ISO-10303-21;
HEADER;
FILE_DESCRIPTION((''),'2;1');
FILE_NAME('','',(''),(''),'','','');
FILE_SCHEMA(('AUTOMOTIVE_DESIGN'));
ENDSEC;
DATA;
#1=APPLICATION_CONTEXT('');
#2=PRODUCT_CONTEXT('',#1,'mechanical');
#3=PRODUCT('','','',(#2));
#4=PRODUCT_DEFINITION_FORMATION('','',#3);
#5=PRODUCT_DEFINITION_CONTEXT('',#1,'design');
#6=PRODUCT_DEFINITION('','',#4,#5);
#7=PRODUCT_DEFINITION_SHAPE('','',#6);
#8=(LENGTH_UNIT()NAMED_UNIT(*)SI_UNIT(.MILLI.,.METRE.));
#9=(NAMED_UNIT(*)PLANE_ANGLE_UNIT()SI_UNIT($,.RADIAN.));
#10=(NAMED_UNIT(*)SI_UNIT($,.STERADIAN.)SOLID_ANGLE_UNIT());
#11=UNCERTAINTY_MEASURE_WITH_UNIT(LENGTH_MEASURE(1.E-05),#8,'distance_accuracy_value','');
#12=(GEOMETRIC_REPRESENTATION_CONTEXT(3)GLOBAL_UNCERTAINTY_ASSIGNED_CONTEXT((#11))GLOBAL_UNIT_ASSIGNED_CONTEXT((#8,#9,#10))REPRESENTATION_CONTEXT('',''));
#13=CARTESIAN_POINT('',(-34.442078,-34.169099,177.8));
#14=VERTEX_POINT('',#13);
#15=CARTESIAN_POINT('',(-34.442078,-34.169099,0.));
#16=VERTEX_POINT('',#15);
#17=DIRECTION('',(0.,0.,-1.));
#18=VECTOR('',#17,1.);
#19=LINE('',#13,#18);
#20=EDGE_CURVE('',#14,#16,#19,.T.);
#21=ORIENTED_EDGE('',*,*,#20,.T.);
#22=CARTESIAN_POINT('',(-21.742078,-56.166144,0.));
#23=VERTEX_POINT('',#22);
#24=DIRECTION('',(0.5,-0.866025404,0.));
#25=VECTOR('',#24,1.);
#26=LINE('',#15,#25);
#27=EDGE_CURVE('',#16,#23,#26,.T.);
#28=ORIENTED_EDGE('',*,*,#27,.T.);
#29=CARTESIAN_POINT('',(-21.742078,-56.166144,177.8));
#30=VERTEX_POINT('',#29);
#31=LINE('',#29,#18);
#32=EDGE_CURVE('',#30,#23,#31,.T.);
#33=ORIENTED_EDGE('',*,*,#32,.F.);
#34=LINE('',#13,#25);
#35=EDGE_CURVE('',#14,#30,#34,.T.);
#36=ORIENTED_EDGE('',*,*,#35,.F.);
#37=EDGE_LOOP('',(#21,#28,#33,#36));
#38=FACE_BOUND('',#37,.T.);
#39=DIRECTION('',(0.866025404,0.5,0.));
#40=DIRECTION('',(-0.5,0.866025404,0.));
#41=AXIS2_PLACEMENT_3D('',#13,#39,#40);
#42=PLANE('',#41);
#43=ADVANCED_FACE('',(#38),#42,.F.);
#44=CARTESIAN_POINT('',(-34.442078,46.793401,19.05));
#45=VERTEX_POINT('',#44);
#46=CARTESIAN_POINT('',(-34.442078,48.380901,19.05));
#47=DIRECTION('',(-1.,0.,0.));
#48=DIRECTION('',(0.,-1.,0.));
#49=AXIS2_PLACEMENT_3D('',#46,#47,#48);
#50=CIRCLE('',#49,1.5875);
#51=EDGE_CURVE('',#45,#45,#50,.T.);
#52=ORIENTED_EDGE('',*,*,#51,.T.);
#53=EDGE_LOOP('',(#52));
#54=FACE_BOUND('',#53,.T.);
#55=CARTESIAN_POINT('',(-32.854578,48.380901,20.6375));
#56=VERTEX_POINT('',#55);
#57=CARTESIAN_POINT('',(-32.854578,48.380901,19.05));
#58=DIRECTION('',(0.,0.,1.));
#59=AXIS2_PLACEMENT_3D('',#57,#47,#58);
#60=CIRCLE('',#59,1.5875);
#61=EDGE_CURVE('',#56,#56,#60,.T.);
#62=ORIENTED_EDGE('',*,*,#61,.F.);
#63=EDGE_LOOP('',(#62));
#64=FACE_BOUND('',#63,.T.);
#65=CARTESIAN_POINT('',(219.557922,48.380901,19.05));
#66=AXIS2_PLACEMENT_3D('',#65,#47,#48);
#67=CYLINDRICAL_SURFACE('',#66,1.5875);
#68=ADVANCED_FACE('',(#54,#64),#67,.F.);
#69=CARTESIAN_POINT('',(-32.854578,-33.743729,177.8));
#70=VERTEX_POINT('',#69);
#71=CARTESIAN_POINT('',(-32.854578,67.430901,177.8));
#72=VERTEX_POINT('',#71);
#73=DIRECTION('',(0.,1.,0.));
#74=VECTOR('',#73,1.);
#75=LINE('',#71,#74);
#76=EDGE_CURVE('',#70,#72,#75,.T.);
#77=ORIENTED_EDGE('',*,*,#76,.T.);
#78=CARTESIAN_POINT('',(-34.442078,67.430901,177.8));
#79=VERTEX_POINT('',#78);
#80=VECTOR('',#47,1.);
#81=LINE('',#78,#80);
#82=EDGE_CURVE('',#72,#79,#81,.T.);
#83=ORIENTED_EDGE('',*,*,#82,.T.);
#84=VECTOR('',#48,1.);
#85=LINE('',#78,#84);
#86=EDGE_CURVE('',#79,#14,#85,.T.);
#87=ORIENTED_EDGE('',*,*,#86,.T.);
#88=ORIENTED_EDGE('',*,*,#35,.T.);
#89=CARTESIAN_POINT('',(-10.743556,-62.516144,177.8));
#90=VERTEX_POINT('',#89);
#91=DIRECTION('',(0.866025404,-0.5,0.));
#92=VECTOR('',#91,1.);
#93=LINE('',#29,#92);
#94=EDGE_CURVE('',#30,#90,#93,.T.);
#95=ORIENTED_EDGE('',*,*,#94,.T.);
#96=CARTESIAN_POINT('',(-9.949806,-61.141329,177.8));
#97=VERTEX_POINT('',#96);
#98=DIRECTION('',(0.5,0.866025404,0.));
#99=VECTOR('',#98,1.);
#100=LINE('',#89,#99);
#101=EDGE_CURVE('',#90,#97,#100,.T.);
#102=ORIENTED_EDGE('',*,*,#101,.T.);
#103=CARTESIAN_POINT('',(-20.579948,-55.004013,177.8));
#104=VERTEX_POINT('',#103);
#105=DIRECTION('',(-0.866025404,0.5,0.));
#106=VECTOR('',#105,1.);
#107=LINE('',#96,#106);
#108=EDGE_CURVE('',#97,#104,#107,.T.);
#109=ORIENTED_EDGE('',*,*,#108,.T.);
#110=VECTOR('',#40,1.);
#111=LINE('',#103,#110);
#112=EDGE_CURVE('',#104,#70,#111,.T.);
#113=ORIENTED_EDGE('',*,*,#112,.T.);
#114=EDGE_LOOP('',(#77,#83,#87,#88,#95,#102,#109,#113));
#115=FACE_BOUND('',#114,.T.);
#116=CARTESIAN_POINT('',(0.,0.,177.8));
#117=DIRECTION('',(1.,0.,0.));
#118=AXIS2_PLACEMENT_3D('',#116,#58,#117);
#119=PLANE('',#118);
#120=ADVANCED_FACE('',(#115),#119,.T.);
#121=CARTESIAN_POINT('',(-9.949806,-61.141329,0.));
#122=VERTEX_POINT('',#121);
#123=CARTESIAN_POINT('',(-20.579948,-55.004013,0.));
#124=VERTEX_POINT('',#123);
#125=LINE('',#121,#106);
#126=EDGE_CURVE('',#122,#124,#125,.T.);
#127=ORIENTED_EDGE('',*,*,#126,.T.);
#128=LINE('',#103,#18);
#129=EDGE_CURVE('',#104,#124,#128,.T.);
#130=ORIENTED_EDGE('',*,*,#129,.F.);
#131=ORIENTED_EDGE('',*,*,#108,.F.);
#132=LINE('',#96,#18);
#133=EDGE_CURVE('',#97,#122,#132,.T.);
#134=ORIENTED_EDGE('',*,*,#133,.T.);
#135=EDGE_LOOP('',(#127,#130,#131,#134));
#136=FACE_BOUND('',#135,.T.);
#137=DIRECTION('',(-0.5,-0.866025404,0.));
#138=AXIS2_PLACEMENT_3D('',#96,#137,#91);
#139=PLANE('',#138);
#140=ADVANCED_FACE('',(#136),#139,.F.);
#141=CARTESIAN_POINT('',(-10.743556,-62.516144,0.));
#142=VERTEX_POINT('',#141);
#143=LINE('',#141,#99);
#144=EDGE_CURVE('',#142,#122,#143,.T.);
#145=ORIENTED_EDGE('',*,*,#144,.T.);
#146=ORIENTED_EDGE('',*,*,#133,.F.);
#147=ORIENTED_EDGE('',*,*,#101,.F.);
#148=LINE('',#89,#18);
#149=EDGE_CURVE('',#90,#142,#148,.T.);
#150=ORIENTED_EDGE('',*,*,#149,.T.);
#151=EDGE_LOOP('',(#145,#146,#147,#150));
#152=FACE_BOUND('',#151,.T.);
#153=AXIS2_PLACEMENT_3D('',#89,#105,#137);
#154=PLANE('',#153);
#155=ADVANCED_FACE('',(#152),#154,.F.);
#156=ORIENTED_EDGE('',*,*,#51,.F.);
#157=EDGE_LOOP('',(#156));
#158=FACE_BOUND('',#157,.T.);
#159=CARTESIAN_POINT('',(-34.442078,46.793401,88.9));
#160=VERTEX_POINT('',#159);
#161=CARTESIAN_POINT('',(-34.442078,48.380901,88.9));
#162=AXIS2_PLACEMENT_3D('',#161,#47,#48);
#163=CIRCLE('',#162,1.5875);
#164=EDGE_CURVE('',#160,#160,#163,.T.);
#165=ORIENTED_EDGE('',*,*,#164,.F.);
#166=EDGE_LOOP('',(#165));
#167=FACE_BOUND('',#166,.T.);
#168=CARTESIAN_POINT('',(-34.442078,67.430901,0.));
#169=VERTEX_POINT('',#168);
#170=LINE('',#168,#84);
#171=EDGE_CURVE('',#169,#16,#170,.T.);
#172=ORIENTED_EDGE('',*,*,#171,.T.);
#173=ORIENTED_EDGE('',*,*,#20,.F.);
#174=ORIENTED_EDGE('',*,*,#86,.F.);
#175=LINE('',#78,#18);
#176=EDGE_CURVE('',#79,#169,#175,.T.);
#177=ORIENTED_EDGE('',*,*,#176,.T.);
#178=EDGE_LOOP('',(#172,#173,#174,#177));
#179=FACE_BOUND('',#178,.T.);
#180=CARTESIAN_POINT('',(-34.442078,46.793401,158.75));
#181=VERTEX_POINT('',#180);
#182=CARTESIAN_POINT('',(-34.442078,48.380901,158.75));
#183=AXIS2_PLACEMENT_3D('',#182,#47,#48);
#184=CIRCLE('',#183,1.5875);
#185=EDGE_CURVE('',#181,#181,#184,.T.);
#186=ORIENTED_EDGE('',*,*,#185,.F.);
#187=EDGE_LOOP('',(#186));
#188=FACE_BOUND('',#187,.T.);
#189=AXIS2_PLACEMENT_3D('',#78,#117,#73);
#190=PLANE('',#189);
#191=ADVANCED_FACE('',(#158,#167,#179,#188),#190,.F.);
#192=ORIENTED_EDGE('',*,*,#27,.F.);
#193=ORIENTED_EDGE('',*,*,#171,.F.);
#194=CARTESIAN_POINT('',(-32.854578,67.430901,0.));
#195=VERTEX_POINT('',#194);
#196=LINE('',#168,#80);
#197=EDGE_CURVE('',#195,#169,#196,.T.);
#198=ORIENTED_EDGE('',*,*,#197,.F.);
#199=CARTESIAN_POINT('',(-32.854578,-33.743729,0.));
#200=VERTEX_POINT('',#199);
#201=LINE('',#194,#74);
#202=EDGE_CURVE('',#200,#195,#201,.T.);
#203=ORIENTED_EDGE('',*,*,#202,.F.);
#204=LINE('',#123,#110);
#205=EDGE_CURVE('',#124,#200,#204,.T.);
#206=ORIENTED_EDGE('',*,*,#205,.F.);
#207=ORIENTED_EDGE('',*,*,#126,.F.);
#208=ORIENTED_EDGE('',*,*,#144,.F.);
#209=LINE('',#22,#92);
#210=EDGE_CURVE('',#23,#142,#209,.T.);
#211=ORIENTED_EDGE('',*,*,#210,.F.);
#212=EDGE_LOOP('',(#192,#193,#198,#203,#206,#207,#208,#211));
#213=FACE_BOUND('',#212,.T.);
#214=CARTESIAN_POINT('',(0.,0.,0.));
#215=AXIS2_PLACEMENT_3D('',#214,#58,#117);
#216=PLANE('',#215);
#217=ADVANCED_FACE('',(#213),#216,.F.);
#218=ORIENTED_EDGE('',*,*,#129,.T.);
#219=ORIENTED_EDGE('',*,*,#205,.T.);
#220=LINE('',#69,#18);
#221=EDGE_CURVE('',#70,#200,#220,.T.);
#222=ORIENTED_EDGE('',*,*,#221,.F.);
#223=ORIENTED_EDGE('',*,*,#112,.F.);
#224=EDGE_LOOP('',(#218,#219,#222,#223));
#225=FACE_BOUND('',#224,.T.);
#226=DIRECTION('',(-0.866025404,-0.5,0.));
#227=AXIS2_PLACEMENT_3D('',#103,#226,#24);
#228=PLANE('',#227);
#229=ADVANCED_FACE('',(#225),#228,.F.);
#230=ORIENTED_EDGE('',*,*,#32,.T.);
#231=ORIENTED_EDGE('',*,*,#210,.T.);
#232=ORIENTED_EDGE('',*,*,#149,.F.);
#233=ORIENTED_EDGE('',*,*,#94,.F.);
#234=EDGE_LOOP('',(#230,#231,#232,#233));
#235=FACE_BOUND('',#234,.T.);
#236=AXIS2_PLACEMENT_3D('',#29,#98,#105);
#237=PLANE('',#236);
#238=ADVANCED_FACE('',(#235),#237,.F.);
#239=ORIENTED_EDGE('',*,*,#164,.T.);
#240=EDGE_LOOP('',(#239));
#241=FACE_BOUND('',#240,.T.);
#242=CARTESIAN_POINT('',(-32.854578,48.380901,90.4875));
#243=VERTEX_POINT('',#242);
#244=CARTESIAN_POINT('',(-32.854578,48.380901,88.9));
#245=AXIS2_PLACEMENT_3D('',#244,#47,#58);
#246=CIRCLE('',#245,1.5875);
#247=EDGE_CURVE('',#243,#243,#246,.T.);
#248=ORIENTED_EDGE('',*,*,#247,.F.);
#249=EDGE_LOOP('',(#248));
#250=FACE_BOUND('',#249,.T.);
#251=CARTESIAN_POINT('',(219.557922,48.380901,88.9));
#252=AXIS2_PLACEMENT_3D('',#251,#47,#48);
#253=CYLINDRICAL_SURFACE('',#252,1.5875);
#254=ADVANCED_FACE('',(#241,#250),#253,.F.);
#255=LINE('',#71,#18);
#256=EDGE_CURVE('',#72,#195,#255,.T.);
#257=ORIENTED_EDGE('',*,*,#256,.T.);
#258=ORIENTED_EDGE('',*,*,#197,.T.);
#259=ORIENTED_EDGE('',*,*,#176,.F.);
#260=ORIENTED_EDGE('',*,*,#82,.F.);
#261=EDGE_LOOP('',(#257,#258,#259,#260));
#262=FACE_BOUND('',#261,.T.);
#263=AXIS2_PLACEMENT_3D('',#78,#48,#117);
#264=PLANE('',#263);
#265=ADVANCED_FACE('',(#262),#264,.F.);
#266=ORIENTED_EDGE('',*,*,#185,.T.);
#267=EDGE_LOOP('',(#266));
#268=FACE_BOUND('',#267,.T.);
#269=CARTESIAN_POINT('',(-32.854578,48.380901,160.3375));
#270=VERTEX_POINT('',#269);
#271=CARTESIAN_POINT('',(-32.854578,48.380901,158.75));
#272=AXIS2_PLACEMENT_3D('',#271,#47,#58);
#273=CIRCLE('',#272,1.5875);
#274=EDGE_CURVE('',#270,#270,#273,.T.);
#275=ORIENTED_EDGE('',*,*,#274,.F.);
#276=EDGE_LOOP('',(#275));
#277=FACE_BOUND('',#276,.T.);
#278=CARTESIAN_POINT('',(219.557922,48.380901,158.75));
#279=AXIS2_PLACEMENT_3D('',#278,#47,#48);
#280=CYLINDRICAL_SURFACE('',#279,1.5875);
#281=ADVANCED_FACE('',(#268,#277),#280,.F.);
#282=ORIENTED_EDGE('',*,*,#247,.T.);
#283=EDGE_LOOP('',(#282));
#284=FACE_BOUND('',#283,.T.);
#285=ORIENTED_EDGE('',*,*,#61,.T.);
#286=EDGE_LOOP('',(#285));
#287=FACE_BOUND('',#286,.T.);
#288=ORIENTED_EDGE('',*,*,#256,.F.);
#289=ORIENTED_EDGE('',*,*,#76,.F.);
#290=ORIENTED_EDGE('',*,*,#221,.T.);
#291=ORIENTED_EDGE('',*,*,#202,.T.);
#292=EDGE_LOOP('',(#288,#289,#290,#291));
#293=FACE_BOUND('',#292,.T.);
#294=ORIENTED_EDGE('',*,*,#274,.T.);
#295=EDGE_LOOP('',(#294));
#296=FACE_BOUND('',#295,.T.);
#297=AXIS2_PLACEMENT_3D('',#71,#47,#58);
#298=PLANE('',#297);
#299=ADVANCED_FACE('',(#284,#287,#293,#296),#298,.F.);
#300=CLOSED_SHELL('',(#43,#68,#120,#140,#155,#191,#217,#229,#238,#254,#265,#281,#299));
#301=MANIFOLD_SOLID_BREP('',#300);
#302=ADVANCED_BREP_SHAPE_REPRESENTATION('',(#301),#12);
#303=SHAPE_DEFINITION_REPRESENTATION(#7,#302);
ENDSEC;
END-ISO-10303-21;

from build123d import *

# Parameters (mm, degrees)
EXTRUDE_1_DEPTH     = 177.8
SKETCH_2_R          = 1.5875
CUT_EXTRUDE_1_DEPTH = 254


with BuildPart() as part:
    # 스케치1 → 보스-돌출1 (new body)
    with BuildSketch(Plane.XY):
        Polygon((-34.442078201, -34.169098619), (-21.742078201, -56.166143875), (-10.743555573, -62.516143875), (-9.949805573, -61.141328546), (-20.579947544, -55.004013218), (-32.854578201, -33.743729276), (-32.854578201, 67.430901381), (-34.442078201, 67.430901381), align=None)
    extrude(amount=EXTRUDE_1_DEPTH)

    # 스케치2 → 컷-돌출1 (cut)
    with BuildSketch(Plane.ZY.offset(34.442078201)):
        with Locations((158.75, 48.380901381)):
            Circle(SKETCH_2_R)
        with Locations((88.9, 48.380901381)):
            Circle(SKETCH_2_R)
        with Locations((19.05, 48.380901381)):
            Circle(SKETCH_2_R)
    extrude(amount=-CUT_EXTRUDE_1_DEPTH, mode=Mode.SUBTRACT)


solid = part.part
